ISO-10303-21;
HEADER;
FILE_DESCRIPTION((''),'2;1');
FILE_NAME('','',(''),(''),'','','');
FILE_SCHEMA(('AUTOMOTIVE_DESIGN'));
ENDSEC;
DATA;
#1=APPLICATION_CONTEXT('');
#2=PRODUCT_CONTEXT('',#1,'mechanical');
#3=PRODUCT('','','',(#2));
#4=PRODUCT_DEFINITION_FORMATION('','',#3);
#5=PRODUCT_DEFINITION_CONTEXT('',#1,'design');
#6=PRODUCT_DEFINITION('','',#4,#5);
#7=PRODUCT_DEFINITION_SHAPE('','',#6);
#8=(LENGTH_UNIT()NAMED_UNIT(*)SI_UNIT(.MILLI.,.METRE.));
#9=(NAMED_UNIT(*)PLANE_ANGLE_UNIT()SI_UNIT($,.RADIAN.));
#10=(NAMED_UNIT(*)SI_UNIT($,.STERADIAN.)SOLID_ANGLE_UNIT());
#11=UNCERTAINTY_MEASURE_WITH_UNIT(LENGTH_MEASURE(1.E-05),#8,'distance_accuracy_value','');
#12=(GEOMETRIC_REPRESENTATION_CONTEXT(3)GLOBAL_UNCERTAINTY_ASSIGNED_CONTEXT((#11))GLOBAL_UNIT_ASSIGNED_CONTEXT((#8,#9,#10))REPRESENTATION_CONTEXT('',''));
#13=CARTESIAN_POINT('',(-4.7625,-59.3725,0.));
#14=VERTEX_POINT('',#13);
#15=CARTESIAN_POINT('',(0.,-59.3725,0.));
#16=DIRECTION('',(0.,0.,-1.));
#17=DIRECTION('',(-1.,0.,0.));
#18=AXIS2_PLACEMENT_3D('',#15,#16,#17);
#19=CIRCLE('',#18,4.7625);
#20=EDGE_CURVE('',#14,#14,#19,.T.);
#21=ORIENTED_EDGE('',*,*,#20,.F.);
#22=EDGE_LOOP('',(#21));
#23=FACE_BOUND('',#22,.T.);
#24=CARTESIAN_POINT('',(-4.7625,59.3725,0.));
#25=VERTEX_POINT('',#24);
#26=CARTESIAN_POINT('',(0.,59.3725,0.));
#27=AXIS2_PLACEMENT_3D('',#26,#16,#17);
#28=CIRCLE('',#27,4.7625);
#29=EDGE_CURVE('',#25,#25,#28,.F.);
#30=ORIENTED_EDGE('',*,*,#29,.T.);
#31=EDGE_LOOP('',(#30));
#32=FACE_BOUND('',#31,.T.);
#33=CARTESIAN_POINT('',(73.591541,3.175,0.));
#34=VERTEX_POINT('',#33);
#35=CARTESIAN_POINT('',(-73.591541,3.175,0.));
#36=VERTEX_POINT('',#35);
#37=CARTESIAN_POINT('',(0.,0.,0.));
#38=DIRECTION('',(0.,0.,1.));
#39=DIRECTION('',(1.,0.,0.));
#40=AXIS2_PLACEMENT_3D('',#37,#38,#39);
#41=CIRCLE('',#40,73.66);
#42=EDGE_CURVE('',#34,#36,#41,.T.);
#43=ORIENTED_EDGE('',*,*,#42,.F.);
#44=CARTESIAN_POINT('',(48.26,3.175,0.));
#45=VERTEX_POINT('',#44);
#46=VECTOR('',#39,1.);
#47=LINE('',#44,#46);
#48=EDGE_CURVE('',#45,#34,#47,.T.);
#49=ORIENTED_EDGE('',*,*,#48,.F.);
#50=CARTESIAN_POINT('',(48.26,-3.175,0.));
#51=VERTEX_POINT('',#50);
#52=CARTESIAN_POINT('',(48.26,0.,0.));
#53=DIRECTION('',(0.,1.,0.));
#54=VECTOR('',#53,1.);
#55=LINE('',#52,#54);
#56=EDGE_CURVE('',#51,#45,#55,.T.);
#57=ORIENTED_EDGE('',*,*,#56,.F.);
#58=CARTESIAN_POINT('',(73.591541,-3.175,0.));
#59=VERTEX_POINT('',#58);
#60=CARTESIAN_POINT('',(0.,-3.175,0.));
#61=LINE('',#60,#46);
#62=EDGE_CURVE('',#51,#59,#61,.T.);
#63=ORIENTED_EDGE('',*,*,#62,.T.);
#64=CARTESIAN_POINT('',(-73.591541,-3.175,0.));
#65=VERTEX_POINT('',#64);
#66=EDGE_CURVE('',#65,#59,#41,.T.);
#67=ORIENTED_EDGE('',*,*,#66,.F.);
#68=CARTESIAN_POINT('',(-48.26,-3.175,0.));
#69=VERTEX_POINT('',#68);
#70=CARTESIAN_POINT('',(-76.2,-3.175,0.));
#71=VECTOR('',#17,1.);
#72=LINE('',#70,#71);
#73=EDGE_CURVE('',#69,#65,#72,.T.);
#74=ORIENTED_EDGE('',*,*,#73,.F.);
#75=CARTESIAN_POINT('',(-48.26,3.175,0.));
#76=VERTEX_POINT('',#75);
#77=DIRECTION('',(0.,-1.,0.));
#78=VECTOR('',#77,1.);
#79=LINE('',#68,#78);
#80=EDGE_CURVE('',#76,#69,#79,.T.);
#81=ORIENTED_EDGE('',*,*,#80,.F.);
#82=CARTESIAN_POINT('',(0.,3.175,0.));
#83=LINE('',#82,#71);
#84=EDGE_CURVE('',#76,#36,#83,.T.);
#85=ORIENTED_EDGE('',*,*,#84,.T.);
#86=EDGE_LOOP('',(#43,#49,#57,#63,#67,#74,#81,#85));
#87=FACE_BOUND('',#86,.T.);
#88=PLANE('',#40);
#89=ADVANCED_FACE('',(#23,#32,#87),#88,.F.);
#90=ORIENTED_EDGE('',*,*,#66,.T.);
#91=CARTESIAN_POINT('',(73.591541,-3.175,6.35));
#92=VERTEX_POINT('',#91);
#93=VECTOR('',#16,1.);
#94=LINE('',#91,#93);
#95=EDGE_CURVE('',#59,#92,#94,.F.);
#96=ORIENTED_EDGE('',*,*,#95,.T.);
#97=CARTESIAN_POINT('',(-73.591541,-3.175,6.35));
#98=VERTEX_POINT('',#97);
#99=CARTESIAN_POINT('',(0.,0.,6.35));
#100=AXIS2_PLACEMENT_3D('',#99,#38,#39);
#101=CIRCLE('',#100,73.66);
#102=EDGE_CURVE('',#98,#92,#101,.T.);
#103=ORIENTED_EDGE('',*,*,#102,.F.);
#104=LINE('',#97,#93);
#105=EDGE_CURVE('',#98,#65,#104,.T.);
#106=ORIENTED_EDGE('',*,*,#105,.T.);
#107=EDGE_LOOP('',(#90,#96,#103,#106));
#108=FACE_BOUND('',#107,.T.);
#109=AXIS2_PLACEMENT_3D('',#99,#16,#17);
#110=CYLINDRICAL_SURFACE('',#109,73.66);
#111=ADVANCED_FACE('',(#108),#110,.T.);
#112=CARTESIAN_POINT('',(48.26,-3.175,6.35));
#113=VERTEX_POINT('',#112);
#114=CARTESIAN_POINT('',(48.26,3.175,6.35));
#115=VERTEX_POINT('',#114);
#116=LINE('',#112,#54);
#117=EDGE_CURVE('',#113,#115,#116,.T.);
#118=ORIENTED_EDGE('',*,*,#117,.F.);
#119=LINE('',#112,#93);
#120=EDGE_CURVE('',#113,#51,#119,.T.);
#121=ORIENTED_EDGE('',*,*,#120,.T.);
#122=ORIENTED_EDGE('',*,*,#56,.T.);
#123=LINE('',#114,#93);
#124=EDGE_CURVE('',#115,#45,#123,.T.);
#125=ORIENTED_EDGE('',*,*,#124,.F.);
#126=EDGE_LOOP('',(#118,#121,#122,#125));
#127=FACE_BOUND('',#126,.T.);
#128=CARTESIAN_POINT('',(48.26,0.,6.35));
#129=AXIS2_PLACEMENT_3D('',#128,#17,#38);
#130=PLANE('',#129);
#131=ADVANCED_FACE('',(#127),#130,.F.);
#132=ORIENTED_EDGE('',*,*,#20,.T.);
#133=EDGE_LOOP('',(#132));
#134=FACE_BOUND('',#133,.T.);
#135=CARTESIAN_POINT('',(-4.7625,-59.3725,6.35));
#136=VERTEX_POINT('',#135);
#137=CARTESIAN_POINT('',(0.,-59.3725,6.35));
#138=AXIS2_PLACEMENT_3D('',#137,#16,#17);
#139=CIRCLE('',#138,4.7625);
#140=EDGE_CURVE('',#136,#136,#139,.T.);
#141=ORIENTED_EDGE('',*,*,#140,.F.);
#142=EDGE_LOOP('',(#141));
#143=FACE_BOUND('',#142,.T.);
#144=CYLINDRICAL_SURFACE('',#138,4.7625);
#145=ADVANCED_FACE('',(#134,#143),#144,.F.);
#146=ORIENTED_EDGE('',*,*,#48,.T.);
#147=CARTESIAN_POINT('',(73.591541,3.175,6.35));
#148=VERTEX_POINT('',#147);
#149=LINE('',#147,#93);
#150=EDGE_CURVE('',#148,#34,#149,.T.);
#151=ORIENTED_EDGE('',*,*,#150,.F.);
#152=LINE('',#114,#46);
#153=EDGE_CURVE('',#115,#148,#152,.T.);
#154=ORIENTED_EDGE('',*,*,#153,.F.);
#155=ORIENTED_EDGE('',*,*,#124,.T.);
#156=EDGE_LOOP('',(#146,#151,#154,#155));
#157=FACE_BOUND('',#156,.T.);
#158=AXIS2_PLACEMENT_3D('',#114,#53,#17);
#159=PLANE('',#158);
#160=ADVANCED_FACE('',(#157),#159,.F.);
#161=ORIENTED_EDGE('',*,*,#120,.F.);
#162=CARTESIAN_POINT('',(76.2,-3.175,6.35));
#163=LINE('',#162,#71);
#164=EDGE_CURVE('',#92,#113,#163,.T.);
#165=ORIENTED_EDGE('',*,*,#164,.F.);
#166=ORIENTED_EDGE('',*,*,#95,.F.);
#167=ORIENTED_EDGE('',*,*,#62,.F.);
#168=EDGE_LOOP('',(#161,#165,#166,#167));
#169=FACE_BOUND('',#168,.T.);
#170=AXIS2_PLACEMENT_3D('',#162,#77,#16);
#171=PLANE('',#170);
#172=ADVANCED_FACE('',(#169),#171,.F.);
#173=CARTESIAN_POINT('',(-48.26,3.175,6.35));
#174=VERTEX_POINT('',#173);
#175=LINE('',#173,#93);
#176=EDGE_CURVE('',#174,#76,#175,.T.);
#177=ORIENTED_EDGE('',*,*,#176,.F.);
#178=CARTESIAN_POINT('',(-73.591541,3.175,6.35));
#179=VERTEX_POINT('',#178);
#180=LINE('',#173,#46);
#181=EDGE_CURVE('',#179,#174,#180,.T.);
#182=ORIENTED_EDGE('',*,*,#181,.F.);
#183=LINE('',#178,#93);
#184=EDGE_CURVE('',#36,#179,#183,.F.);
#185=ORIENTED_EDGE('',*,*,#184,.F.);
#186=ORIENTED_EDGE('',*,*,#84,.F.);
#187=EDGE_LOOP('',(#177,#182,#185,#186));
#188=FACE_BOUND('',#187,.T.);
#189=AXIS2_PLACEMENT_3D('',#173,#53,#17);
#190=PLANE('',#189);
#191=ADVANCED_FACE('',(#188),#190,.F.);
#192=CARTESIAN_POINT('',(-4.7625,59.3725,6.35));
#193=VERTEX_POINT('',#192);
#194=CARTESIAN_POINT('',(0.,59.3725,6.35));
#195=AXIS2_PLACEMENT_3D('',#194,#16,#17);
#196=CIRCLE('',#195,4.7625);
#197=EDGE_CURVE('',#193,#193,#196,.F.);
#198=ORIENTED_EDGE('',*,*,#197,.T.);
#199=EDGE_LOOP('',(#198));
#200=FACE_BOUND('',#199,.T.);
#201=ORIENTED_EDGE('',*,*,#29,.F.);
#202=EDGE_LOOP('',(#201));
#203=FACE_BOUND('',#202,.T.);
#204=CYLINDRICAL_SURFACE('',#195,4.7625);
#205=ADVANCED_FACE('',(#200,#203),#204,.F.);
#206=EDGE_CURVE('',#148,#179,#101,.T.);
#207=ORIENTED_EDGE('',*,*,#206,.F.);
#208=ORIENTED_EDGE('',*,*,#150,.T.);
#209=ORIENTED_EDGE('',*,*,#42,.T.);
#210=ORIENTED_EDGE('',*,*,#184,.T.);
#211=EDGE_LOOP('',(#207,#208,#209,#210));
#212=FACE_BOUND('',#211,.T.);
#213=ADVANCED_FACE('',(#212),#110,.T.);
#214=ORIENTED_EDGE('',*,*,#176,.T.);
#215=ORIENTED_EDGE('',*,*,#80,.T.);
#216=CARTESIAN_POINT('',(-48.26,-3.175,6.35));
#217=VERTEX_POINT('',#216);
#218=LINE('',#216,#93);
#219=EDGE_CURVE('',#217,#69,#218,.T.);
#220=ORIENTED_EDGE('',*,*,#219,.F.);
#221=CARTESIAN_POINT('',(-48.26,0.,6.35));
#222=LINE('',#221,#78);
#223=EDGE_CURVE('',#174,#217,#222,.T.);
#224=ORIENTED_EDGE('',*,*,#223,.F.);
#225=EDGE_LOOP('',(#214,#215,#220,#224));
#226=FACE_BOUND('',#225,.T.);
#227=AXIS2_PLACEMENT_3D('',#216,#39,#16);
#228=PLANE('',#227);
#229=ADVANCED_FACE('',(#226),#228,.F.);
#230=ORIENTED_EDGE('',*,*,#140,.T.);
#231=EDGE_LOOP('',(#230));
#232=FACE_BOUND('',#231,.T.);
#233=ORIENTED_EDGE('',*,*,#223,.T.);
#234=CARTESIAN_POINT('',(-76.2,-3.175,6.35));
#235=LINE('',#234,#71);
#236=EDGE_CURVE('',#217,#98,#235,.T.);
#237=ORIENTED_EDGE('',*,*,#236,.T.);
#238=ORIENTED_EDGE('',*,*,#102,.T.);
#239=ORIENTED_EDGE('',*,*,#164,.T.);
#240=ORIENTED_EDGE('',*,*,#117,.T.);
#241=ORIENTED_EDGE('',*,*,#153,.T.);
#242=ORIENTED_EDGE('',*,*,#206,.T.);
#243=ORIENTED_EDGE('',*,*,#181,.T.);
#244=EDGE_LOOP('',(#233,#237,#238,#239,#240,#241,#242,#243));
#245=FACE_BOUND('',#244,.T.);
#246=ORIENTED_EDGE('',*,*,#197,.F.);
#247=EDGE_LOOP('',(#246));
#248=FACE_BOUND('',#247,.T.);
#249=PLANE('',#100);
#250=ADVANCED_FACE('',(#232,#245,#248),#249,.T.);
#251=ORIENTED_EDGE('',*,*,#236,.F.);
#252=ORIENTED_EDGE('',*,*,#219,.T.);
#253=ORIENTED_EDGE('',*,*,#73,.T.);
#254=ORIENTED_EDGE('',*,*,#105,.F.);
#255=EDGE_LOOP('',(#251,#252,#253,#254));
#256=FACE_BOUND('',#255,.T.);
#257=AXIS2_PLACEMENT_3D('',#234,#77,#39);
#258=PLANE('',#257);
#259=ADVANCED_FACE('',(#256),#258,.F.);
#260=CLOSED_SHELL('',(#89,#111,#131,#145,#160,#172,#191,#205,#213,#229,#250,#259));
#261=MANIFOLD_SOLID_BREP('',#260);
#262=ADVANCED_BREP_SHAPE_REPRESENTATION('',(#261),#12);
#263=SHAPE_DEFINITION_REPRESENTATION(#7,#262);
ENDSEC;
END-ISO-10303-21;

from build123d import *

# Parameters (mm, degrees)
SKETCH1_R           = 73.66
BOSS_EXTRUDE1_DEPTH = 6.35
CUT_EXTRUDE1_DEPTH  = 7.35
SKETCH4_R           = 4.7625
CUT_EXTRUDE2_DEPTH  = 7.35


with BuildPart() as part:
    # Sketch1 → Boss-Extrude1 (new body)
    with BuildSketch(Plane.XY):
        Circle(SKETCH1_R)
    extrude(amount=BOSS_EXTRUDE1_DEPTH)

    # Sketch2 → Cut-Extrude1 (cut, through all)
    with BuildSketch(Plane(origin=(0, 0, 0), x_dir=(-1, 0, 0), z_dir=(0, 0, -1))):
        Polygon((-48.26, 0), (-48.26, 3.175), (-76.2, 3.175), (-76.2, -3.175), (-48.26, -3.175), align=None)
        Polygon((48.26, -3.175), (48.26, 0), (48.26, 3.175), (76.2, 3.175), (76.2, -3.175), align=None)
    extrude(amount=-CUT_EXTRUDE1_DEPTH, mode=Mode.SUBTRACT)

    # Sketch4 → Cut-Extrude2 (cut, through all)
    with BuildSketch(Plane(origin=(0, 0, 0), x_dir=(-1, 0, 0), z_dir=(0, 0, -1))):
        with Locations((0, -59.3725)):
            Circle(SKETCH4_R)
        with Locations((0, 59.3725)):
            Circle(SKETCH4_R)
    extrude(amount=-CUT_EXTRUDE2_DEPTH, mode=Mode.SUBTRACT)


solid = part.part
